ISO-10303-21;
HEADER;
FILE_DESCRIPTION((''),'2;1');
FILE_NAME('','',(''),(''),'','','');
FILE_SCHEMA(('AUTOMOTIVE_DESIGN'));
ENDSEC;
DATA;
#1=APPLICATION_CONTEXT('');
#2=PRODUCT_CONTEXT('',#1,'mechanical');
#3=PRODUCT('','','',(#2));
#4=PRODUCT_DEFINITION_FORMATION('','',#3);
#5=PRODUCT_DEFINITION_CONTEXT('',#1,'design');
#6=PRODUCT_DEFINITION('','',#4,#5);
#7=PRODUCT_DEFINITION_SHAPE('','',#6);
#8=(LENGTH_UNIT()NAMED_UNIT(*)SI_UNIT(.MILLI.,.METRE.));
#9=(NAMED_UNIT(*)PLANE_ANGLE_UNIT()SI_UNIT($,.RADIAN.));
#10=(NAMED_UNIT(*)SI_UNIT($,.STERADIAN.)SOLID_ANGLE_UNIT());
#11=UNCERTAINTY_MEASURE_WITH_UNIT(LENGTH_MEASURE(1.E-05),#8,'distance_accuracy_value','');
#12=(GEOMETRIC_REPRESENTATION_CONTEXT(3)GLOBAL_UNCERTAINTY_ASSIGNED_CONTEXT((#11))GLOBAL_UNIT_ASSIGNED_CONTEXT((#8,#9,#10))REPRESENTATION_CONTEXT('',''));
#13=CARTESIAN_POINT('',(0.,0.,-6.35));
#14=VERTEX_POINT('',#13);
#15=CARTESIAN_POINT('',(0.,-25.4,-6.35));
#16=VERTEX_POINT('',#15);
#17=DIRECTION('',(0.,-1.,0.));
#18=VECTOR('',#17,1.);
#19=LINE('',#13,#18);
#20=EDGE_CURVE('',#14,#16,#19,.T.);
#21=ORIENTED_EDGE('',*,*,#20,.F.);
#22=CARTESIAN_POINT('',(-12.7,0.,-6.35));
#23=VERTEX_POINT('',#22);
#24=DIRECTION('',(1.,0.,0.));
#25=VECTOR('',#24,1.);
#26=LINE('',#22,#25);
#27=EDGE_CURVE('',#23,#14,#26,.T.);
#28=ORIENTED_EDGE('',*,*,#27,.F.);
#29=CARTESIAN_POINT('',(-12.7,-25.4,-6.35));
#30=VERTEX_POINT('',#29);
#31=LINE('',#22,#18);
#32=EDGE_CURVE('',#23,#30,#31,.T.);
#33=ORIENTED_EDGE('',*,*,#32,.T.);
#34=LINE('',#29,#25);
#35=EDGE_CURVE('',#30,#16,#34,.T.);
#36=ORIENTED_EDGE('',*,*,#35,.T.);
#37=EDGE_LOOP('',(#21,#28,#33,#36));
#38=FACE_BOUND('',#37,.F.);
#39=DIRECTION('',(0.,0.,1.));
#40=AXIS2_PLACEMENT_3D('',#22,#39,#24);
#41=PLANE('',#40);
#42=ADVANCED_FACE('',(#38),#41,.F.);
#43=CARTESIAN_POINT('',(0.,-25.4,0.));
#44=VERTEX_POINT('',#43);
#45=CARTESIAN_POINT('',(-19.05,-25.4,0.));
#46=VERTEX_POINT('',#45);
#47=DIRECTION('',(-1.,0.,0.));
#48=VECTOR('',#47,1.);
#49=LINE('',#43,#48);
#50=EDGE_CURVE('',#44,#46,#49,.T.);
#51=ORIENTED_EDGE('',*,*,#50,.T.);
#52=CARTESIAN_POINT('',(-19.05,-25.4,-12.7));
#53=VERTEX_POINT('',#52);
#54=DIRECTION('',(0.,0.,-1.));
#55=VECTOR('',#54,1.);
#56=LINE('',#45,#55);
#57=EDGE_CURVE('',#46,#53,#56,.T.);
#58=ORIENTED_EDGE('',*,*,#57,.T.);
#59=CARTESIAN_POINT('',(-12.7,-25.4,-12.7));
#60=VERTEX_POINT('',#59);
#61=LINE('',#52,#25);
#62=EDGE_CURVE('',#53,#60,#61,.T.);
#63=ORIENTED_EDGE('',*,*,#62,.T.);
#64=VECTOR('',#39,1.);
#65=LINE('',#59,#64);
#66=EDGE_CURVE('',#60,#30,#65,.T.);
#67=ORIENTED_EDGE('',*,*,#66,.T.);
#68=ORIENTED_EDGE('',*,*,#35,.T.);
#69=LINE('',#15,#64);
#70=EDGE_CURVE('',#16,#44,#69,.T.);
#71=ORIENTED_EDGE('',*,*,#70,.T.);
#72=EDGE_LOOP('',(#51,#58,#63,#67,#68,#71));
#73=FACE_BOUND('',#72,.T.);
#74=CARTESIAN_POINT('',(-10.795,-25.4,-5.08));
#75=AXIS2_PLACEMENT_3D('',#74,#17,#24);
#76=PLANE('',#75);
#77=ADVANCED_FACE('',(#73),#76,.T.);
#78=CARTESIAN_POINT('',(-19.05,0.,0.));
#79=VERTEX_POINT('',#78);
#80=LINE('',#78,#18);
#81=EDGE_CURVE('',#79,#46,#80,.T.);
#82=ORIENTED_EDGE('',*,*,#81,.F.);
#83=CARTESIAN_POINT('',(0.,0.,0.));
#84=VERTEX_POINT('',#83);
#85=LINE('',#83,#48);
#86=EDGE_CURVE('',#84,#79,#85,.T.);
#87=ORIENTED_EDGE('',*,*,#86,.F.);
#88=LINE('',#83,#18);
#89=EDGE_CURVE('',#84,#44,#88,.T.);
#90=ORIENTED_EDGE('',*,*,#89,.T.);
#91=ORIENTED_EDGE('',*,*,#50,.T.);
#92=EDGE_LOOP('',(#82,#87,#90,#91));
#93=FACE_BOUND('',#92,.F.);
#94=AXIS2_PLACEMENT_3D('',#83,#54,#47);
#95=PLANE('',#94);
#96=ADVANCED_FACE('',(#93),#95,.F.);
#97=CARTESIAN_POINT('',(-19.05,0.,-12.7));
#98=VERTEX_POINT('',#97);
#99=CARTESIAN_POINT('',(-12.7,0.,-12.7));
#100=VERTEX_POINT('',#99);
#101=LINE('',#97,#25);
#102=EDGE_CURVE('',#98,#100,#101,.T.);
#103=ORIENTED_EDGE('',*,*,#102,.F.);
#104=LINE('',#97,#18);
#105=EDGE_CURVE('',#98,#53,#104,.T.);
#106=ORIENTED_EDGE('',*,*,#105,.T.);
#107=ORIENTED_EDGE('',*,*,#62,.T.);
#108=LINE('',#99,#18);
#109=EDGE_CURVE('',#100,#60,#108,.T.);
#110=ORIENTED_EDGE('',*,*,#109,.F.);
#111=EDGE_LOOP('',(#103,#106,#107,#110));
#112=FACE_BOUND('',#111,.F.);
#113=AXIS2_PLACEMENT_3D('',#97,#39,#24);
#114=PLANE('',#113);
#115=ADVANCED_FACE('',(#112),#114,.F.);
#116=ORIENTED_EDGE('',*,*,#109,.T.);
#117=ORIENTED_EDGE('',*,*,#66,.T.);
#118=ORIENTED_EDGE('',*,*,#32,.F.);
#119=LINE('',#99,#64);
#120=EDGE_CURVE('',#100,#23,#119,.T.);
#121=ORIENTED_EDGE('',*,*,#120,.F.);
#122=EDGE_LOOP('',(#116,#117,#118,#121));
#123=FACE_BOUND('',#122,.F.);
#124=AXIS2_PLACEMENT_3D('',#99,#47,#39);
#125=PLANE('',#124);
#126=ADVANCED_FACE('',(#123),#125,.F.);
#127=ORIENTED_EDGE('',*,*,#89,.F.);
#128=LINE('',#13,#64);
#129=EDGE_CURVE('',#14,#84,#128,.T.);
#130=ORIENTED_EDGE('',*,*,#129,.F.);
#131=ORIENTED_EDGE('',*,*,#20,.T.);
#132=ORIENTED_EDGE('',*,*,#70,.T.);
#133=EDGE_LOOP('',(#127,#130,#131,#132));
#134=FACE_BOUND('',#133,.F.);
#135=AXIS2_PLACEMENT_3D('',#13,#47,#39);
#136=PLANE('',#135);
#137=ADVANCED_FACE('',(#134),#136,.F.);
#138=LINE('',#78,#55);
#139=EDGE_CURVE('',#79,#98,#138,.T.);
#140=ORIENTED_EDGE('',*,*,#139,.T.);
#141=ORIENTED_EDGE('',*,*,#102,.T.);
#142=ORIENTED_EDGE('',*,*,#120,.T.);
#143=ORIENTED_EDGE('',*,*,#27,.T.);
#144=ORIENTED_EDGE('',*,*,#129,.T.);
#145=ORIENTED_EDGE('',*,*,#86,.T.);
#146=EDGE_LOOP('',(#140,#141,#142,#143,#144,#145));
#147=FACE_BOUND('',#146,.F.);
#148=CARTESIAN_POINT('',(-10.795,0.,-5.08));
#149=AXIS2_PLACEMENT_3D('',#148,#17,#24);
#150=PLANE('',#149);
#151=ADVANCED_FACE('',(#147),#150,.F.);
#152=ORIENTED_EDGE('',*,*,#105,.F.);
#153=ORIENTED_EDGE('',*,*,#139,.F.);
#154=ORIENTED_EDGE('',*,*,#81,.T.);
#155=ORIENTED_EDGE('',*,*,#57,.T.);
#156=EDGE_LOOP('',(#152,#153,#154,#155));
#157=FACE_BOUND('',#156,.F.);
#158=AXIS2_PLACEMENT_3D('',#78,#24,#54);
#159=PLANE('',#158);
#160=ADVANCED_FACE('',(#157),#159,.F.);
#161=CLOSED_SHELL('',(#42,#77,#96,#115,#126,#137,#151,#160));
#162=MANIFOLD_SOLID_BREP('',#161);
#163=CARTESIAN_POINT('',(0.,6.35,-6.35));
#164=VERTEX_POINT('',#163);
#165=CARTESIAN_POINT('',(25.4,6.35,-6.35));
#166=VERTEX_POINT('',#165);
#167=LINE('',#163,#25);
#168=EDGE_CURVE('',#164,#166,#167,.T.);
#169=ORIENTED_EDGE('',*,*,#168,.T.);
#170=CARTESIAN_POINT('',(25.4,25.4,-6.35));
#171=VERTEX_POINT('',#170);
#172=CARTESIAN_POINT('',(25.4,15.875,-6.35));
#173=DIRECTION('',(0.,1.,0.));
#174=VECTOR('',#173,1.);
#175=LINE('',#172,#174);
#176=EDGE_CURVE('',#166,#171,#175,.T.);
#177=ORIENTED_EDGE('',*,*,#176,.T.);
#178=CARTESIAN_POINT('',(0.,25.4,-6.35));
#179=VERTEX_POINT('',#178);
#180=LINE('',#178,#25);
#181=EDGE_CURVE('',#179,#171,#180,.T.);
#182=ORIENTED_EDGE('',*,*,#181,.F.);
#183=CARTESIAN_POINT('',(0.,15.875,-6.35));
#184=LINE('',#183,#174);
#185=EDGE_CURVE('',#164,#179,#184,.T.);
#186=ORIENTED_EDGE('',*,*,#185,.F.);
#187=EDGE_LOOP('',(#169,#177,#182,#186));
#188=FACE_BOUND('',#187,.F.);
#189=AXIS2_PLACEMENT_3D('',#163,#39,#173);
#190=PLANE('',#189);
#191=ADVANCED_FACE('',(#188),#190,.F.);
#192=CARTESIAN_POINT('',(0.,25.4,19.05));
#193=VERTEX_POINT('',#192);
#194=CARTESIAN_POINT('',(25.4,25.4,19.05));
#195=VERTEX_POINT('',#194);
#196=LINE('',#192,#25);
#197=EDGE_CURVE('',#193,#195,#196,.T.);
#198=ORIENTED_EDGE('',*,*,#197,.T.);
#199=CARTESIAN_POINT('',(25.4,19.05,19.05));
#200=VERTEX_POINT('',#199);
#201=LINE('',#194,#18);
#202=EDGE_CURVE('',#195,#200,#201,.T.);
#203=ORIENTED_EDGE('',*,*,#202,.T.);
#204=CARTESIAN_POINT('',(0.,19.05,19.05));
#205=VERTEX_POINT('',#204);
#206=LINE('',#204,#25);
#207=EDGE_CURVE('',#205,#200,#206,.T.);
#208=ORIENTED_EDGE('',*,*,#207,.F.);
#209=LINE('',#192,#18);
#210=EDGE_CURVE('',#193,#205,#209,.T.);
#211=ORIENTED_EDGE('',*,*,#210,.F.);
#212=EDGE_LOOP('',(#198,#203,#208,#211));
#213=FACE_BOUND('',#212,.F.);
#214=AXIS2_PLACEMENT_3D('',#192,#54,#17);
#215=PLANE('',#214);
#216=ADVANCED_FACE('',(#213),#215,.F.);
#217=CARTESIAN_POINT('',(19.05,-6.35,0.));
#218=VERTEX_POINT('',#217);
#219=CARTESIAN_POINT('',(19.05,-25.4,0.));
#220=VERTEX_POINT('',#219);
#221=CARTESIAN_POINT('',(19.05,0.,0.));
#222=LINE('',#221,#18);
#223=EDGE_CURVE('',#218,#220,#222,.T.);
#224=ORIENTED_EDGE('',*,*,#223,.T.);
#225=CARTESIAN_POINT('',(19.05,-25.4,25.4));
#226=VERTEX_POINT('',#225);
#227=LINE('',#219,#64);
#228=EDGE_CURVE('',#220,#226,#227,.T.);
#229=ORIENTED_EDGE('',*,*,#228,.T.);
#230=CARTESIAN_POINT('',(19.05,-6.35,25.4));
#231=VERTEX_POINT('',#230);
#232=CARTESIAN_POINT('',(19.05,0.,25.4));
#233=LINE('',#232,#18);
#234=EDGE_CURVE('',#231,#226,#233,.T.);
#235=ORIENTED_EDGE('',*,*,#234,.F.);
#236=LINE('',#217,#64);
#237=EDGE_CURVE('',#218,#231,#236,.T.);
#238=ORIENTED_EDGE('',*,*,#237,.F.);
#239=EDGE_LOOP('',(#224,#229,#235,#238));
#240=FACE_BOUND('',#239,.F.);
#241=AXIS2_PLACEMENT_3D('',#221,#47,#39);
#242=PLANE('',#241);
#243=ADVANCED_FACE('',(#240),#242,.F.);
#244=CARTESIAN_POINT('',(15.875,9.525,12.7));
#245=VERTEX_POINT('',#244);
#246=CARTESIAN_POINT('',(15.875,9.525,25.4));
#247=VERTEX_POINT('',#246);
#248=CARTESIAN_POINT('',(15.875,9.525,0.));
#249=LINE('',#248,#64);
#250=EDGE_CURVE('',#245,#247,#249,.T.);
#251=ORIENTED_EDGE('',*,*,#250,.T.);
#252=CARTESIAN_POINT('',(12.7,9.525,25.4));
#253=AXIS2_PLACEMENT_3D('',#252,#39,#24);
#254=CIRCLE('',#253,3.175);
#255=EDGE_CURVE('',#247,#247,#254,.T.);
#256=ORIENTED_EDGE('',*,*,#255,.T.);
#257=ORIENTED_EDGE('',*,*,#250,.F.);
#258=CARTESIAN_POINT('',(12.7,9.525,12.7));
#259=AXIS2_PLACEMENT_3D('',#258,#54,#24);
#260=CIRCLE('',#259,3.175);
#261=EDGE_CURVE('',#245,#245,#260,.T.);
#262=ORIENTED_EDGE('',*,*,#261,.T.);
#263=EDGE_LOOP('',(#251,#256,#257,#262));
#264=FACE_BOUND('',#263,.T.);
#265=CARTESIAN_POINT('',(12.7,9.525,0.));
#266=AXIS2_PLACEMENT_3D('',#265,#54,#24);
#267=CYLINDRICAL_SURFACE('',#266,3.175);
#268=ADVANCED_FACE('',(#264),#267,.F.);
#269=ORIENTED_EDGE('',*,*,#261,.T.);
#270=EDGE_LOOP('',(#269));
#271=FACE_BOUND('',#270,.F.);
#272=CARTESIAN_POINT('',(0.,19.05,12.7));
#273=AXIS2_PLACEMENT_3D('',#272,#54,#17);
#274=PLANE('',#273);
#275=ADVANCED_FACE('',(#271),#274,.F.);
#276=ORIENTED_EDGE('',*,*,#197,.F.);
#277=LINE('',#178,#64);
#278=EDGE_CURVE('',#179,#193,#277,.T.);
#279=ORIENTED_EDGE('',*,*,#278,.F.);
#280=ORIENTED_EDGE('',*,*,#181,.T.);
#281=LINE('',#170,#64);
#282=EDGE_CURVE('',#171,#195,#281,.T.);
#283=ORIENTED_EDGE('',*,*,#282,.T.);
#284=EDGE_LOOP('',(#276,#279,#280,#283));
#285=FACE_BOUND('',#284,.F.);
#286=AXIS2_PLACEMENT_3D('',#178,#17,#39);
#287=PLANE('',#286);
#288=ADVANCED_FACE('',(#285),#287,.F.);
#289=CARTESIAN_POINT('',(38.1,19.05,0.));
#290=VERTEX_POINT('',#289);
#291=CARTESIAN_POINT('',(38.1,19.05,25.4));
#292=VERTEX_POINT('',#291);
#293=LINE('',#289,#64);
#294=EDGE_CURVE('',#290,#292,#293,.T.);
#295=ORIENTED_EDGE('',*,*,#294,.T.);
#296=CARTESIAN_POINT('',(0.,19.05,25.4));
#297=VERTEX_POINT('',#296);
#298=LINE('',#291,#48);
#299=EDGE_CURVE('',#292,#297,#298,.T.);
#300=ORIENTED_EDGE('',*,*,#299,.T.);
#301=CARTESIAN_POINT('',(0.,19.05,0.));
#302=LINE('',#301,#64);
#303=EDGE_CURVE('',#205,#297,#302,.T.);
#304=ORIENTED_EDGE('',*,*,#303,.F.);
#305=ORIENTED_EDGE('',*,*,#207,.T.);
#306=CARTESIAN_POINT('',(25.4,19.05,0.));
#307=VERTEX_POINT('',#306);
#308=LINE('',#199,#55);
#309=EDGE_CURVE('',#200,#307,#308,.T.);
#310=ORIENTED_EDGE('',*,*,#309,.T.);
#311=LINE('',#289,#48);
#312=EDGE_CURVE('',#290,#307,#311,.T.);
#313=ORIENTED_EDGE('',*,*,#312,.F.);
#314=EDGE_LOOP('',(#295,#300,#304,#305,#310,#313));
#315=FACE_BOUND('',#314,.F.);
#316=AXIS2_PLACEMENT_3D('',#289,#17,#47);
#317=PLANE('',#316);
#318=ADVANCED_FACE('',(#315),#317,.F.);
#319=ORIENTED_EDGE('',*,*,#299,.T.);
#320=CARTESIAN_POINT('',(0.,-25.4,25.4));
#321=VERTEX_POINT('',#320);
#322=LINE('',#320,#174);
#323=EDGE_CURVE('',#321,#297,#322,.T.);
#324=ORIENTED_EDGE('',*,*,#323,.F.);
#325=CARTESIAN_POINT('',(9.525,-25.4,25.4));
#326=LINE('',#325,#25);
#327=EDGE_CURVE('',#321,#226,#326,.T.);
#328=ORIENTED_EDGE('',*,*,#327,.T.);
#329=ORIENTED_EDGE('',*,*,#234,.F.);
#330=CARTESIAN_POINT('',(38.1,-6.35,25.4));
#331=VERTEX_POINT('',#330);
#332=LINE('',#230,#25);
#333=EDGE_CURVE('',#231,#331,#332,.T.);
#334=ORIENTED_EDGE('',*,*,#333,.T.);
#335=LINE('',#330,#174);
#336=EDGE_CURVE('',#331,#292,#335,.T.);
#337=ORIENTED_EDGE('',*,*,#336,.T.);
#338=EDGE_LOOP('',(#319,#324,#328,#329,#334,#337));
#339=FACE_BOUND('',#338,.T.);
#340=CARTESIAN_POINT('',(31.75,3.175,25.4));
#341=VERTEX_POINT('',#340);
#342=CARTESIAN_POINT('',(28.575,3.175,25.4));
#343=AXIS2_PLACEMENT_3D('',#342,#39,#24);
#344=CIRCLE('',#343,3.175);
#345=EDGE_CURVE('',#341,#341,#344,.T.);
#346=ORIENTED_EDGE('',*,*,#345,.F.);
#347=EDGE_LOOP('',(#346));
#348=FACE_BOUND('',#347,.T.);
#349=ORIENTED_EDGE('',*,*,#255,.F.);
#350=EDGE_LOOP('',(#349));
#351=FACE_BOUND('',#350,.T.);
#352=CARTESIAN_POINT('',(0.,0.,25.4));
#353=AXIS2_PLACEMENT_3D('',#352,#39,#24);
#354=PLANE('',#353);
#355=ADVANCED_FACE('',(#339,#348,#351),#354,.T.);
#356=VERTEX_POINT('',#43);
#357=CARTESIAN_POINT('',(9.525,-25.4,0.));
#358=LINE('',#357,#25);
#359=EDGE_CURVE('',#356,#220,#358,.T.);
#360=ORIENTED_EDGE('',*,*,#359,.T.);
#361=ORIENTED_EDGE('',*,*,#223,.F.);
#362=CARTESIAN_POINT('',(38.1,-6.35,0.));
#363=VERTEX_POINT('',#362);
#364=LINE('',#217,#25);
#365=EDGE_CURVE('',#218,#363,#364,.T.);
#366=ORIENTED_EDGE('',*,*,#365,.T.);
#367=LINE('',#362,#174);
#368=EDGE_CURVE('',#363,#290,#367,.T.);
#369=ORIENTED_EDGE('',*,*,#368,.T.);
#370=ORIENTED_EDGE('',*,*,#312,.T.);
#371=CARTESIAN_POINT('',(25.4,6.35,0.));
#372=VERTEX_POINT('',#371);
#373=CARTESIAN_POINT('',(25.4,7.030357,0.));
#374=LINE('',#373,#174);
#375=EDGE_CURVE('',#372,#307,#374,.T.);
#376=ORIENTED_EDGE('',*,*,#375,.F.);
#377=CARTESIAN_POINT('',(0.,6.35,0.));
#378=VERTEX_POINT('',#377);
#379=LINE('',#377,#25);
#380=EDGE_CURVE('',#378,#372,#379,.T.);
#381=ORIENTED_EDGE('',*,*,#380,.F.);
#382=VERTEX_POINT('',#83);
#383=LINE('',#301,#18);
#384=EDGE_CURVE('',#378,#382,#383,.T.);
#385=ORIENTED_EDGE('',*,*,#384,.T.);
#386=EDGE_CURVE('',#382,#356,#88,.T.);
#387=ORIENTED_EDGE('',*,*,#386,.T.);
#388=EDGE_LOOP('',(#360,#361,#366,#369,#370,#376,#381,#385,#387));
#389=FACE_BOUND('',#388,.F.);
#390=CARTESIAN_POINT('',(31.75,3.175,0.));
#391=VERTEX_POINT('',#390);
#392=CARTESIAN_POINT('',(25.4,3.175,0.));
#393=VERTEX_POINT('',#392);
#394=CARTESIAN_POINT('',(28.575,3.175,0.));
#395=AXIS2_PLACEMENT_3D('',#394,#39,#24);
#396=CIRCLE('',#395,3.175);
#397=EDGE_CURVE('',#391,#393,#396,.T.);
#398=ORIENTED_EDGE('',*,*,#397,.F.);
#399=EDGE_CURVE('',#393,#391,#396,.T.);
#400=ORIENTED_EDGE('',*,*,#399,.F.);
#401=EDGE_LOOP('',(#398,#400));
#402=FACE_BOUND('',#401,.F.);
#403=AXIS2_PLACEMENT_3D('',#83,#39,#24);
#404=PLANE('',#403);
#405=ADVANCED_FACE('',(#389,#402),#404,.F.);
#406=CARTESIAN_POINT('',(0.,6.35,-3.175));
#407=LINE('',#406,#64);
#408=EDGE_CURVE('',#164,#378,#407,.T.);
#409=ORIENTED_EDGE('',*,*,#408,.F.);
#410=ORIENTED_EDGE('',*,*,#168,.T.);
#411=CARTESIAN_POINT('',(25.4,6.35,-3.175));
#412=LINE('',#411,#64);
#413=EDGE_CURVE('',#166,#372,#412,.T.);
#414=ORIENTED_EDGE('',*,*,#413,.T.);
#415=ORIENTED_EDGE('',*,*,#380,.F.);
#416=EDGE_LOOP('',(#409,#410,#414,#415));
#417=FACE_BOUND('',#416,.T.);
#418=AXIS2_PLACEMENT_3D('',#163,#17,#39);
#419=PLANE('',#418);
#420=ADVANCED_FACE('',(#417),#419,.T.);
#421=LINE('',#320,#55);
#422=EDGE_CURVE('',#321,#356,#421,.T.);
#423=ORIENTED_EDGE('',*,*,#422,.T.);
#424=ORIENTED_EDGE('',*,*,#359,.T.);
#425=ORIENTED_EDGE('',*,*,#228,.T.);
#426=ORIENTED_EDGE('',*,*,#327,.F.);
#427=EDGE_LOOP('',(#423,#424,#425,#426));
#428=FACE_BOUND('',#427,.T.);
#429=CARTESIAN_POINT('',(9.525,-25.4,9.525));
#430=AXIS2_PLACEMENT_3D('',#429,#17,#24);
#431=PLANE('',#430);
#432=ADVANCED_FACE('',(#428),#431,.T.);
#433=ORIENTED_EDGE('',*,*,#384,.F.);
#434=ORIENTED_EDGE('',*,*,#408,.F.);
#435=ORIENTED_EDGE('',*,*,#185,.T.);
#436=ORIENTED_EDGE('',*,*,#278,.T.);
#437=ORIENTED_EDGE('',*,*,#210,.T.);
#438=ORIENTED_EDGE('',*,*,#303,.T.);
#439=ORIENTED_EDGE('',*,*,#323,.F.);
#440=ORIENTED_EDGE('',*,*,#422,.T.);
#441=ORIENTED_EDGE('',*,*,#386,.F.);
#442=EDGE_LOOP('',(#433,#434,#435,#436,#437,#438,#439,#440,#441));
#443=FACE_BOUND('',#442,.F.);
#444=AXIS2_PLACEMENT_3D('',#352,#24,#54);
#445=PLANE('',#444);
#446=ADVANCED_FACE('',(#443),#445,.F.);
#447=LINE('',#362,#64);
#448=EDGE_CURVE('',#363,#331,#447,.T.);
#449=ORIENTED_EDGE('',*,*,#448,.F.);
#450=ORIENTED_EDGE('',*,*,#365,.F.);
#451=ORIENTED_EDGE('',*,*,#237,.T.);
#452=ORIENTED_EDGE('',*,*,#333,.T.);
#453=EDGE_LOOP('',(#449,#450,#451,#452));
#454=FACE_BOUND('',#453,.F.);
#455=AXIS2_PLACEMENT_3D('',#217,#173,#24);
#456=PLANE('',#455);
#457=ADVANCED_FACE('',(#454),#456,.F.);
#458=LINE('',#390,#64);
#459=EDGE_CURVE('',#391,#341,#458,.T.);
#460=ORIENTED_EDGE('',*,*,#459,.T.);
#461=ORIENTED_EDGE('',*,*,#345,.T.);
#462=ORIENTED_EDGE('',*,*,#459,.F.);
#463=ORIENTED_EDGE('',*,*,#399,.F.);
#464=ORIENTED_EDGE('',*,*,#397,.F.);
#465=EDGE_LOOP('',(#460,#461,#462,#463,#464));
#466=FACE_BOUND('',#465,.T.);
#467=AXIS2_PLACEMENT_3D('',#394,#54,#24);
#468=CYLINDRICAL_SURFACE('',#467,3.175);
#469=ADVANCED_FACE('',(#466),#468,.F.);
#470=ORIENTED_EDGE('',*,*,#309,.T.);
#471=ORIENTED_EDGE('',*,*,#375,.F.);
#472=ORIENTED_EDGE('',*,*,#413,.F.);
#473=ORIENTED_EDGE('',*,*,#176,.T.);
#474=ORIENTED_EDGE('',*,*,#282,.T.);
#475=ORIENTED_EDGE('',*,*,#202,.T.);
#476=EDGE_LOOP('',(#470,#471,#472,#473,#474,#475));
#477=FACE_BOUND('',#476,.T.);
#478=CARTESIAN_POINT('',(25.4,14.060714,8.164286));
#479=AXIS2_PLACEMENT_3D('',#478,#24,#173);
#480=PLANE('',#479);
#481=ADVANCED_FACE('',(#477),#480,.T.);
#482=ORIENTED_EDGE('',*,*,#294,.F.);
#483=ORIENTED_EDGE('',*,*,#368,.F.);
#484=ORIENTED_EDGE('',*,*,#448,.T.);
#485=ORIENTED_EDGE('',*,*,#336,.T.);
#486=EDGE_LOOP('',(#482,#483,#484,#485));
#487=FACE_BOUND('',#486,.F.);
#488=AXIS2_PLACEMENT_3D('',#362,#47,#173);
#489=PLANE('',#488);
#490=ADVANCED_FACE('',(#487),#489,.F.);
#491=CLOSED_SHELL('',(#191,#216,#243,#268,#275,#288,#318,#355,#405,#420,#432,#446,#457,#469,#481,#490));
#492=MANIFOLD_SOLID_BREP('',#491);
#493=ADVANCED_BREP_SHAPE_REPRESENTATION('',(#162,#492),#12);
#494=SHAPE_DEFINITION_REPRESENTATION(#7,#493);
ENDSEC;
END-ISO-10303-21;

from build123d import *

# Parameters (mm, degrees)
F0_R     = 3.175
F0_W     = 19.05
F0_H     = 6.35
F3_DEPTH = 25.4
F1_W     = 19.05
F1_H     = 19.05
F1_H_2   = 6.35
F4_DEPTH = 25.4
F2_W     = 19.05
F2_H     = 6.35
F5_DEPTH = 25.4


with BuildPart() as f3:
    # F0 (on Top) → F3 (new body)
    with BuildSketch(Plane.XY):
        Polygon((0, 19.05), (0, 0), (19.05, 0), (19.05, 12.7), (19.05, 19.05), align=None)
        with Locations((12.7, 9.525)):
            Circle(F0_R, mode=Mode.SUBTRACT)
        Polygon((19.05, 12.7), (19.05, 0), (19.05, -6.35), (38.1, -6.35), (38.1, 12.7), align=None)
        with Locations((28.575, 3.175)):
            Circle(F0_R, mode=Mode.SUBTRACT)
        with Locations((28.575, 15.875)):
            Rectangle(F0_W, F0_H)
    extrude(amount=F3_DEPTH)

    # F1 (on Front) → F4 (join)
    with BuildSketch(Plane.XZ):
        with Locations((9.525, 9.525)):
            Rectangle(F1_W, F1_H)
        Polygon((0, -6.35), (0, 0), (-19.05, 0), (-19.05, -12.7), (-12.7, -12.7), (-12.7, -6.35), align=None)
        with Locations((9.525, 22.225)):
            Rectangle(F1_W, F1_H_2)
    extrude(amount=F4_DEPTH)

    # F2 (on Right) → F5 (join)
    with BuildSketch(Plane.YZ):
        Polygon((0, 12.7), (0, 0), (6.35, 0), (25.4, 0), (25.4, 19.05), (19.05, 19.05), (19.05, 12.7), align=None)
        with Locations((15.875, -3.175)):
            Rectangle(F2_W, F2_H)
    extrude(amount=F5_DEPTH)


solid = f3.part
